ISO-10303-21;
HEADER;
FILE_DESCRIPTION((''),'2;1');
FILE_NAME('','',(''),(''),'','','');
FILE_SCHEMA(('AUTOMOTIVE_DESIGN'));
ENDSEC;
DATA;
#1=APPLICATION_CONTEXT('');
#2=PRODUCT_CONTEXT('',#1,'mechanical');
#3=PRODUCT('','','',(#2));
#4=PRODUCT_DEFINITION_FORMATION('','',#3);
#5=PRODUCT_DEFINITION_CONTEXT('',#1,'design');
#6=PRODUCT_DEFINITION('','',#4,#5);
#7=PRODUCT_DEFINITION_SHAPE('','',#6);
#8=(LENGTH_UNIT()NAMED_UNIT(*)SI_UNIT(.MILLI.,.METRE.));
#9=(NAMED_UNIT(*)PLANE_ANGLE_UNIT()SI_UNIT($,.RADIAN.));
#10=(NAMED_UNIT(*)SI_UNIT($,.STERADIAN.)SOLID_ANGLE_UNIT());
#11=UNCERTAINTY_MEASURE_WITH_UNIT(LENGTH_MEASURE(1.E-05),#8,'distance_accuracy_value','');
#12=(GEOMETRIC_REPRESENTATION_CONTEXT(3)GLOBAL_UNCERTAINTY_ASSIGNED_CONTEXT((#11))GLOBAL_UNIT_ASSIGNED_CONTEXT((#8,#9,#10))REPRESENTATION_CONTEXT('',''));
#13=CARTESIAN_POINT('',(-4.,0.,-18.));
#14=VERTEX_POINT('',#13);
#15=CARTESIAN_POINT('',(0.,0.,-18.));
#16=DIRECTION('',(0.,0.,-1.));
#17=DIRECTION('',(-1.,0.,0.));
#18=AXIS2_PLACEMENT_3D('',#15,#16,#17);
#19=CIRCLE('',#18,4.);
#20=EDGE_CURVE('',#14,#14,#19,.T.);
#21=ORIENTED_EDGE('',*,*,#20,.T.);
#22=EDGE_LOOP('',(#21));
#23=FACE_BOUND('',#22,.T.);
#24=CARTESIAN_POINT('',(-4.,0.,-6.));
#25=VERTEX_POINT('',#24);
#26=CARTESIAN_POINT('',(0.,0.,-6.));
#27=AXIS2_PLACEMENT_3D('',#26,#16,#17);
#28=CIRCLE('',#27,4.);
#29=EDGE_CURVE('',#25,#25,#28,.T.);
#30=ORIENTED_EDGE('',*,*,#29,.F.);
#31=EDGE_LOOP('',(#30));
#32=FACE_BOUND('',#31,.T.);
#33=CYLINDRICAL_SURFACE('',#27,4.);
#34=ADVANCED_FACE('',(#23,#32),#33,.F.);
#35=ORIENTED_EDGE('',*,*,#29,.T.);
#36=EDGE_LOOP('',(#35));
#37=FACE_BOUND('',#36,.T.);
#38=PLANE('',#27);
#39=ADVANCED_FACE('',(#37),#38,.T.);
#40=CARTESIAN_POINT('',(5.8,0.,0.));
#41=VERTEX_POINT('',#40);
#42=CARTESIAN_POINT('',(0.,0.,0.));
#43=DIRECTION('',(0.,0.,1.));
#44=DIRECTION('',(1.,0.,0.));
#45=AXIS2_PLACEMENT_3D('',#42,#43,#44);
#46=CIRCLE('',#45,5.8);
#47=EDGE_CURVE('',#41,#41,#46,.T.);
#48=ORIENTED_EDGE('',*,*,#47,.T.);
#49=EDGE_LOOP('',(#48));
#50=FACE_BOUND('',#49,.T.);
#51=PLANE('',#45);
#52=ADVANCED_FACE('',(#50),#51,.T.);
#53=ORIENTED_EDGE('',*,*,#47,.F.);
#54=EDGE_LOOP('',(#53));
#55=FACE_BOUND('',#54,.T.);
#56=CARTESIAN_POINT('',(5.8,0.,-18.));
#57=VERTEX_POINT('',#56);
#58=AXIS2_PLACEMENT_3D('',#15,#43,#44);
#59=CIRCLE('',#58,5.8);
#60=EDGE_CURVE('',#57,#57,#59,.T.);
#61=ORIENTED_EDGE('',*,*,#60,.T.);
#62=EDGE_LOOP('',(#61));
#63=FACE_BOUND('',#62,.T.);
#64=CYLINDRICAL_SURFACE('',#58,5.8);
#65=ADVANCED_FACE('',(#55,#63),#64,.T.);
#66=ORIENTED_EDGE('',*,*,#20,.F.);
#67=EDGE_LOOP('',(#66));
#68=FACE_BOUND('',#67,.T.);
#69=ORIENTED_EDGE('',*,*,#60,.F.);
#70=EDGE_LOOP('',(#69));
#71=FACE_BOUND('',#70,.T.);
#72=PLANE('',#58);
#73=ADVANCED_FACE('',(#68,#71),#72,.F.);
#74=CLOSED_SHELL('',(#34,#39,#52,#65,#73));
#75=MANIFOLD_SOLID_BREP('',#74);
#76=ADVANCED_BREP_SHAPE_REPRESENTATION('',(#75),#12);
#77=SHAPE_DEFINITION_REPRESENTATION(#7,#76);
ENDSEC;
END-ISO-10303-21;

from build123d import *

# Parameters (mm, degrees)
SKETCH1_R           = 5.8
BOSS_EXTRUDE1_DEPTH = 18
SKETCH2_R           = 4
CUT_EXTRUDE1_DEPTH  = 12


with BuildPart() as part:
    # Sketch1 → Boss-Extrude1 (new body)
    with BuildSketch(Plane.XY):
        Circle(SKETCH1_R)
    extrude(amount=-BOSS_EXTRUDE1_DEPTH)

    # Sketch2 → Cut-Extrude1 (cut)
    with BuildSketch(Plane(origin=(0, 0, -18), x_dir=(-1, 0, 0), z_dir=(0, 0, -1))):
        Circle(SKETCH2_R)
    extrude(amount=-CUT_EXTRUDE1_DEPTH, mode=Mode.SUBTRACT)


solid = part.part
